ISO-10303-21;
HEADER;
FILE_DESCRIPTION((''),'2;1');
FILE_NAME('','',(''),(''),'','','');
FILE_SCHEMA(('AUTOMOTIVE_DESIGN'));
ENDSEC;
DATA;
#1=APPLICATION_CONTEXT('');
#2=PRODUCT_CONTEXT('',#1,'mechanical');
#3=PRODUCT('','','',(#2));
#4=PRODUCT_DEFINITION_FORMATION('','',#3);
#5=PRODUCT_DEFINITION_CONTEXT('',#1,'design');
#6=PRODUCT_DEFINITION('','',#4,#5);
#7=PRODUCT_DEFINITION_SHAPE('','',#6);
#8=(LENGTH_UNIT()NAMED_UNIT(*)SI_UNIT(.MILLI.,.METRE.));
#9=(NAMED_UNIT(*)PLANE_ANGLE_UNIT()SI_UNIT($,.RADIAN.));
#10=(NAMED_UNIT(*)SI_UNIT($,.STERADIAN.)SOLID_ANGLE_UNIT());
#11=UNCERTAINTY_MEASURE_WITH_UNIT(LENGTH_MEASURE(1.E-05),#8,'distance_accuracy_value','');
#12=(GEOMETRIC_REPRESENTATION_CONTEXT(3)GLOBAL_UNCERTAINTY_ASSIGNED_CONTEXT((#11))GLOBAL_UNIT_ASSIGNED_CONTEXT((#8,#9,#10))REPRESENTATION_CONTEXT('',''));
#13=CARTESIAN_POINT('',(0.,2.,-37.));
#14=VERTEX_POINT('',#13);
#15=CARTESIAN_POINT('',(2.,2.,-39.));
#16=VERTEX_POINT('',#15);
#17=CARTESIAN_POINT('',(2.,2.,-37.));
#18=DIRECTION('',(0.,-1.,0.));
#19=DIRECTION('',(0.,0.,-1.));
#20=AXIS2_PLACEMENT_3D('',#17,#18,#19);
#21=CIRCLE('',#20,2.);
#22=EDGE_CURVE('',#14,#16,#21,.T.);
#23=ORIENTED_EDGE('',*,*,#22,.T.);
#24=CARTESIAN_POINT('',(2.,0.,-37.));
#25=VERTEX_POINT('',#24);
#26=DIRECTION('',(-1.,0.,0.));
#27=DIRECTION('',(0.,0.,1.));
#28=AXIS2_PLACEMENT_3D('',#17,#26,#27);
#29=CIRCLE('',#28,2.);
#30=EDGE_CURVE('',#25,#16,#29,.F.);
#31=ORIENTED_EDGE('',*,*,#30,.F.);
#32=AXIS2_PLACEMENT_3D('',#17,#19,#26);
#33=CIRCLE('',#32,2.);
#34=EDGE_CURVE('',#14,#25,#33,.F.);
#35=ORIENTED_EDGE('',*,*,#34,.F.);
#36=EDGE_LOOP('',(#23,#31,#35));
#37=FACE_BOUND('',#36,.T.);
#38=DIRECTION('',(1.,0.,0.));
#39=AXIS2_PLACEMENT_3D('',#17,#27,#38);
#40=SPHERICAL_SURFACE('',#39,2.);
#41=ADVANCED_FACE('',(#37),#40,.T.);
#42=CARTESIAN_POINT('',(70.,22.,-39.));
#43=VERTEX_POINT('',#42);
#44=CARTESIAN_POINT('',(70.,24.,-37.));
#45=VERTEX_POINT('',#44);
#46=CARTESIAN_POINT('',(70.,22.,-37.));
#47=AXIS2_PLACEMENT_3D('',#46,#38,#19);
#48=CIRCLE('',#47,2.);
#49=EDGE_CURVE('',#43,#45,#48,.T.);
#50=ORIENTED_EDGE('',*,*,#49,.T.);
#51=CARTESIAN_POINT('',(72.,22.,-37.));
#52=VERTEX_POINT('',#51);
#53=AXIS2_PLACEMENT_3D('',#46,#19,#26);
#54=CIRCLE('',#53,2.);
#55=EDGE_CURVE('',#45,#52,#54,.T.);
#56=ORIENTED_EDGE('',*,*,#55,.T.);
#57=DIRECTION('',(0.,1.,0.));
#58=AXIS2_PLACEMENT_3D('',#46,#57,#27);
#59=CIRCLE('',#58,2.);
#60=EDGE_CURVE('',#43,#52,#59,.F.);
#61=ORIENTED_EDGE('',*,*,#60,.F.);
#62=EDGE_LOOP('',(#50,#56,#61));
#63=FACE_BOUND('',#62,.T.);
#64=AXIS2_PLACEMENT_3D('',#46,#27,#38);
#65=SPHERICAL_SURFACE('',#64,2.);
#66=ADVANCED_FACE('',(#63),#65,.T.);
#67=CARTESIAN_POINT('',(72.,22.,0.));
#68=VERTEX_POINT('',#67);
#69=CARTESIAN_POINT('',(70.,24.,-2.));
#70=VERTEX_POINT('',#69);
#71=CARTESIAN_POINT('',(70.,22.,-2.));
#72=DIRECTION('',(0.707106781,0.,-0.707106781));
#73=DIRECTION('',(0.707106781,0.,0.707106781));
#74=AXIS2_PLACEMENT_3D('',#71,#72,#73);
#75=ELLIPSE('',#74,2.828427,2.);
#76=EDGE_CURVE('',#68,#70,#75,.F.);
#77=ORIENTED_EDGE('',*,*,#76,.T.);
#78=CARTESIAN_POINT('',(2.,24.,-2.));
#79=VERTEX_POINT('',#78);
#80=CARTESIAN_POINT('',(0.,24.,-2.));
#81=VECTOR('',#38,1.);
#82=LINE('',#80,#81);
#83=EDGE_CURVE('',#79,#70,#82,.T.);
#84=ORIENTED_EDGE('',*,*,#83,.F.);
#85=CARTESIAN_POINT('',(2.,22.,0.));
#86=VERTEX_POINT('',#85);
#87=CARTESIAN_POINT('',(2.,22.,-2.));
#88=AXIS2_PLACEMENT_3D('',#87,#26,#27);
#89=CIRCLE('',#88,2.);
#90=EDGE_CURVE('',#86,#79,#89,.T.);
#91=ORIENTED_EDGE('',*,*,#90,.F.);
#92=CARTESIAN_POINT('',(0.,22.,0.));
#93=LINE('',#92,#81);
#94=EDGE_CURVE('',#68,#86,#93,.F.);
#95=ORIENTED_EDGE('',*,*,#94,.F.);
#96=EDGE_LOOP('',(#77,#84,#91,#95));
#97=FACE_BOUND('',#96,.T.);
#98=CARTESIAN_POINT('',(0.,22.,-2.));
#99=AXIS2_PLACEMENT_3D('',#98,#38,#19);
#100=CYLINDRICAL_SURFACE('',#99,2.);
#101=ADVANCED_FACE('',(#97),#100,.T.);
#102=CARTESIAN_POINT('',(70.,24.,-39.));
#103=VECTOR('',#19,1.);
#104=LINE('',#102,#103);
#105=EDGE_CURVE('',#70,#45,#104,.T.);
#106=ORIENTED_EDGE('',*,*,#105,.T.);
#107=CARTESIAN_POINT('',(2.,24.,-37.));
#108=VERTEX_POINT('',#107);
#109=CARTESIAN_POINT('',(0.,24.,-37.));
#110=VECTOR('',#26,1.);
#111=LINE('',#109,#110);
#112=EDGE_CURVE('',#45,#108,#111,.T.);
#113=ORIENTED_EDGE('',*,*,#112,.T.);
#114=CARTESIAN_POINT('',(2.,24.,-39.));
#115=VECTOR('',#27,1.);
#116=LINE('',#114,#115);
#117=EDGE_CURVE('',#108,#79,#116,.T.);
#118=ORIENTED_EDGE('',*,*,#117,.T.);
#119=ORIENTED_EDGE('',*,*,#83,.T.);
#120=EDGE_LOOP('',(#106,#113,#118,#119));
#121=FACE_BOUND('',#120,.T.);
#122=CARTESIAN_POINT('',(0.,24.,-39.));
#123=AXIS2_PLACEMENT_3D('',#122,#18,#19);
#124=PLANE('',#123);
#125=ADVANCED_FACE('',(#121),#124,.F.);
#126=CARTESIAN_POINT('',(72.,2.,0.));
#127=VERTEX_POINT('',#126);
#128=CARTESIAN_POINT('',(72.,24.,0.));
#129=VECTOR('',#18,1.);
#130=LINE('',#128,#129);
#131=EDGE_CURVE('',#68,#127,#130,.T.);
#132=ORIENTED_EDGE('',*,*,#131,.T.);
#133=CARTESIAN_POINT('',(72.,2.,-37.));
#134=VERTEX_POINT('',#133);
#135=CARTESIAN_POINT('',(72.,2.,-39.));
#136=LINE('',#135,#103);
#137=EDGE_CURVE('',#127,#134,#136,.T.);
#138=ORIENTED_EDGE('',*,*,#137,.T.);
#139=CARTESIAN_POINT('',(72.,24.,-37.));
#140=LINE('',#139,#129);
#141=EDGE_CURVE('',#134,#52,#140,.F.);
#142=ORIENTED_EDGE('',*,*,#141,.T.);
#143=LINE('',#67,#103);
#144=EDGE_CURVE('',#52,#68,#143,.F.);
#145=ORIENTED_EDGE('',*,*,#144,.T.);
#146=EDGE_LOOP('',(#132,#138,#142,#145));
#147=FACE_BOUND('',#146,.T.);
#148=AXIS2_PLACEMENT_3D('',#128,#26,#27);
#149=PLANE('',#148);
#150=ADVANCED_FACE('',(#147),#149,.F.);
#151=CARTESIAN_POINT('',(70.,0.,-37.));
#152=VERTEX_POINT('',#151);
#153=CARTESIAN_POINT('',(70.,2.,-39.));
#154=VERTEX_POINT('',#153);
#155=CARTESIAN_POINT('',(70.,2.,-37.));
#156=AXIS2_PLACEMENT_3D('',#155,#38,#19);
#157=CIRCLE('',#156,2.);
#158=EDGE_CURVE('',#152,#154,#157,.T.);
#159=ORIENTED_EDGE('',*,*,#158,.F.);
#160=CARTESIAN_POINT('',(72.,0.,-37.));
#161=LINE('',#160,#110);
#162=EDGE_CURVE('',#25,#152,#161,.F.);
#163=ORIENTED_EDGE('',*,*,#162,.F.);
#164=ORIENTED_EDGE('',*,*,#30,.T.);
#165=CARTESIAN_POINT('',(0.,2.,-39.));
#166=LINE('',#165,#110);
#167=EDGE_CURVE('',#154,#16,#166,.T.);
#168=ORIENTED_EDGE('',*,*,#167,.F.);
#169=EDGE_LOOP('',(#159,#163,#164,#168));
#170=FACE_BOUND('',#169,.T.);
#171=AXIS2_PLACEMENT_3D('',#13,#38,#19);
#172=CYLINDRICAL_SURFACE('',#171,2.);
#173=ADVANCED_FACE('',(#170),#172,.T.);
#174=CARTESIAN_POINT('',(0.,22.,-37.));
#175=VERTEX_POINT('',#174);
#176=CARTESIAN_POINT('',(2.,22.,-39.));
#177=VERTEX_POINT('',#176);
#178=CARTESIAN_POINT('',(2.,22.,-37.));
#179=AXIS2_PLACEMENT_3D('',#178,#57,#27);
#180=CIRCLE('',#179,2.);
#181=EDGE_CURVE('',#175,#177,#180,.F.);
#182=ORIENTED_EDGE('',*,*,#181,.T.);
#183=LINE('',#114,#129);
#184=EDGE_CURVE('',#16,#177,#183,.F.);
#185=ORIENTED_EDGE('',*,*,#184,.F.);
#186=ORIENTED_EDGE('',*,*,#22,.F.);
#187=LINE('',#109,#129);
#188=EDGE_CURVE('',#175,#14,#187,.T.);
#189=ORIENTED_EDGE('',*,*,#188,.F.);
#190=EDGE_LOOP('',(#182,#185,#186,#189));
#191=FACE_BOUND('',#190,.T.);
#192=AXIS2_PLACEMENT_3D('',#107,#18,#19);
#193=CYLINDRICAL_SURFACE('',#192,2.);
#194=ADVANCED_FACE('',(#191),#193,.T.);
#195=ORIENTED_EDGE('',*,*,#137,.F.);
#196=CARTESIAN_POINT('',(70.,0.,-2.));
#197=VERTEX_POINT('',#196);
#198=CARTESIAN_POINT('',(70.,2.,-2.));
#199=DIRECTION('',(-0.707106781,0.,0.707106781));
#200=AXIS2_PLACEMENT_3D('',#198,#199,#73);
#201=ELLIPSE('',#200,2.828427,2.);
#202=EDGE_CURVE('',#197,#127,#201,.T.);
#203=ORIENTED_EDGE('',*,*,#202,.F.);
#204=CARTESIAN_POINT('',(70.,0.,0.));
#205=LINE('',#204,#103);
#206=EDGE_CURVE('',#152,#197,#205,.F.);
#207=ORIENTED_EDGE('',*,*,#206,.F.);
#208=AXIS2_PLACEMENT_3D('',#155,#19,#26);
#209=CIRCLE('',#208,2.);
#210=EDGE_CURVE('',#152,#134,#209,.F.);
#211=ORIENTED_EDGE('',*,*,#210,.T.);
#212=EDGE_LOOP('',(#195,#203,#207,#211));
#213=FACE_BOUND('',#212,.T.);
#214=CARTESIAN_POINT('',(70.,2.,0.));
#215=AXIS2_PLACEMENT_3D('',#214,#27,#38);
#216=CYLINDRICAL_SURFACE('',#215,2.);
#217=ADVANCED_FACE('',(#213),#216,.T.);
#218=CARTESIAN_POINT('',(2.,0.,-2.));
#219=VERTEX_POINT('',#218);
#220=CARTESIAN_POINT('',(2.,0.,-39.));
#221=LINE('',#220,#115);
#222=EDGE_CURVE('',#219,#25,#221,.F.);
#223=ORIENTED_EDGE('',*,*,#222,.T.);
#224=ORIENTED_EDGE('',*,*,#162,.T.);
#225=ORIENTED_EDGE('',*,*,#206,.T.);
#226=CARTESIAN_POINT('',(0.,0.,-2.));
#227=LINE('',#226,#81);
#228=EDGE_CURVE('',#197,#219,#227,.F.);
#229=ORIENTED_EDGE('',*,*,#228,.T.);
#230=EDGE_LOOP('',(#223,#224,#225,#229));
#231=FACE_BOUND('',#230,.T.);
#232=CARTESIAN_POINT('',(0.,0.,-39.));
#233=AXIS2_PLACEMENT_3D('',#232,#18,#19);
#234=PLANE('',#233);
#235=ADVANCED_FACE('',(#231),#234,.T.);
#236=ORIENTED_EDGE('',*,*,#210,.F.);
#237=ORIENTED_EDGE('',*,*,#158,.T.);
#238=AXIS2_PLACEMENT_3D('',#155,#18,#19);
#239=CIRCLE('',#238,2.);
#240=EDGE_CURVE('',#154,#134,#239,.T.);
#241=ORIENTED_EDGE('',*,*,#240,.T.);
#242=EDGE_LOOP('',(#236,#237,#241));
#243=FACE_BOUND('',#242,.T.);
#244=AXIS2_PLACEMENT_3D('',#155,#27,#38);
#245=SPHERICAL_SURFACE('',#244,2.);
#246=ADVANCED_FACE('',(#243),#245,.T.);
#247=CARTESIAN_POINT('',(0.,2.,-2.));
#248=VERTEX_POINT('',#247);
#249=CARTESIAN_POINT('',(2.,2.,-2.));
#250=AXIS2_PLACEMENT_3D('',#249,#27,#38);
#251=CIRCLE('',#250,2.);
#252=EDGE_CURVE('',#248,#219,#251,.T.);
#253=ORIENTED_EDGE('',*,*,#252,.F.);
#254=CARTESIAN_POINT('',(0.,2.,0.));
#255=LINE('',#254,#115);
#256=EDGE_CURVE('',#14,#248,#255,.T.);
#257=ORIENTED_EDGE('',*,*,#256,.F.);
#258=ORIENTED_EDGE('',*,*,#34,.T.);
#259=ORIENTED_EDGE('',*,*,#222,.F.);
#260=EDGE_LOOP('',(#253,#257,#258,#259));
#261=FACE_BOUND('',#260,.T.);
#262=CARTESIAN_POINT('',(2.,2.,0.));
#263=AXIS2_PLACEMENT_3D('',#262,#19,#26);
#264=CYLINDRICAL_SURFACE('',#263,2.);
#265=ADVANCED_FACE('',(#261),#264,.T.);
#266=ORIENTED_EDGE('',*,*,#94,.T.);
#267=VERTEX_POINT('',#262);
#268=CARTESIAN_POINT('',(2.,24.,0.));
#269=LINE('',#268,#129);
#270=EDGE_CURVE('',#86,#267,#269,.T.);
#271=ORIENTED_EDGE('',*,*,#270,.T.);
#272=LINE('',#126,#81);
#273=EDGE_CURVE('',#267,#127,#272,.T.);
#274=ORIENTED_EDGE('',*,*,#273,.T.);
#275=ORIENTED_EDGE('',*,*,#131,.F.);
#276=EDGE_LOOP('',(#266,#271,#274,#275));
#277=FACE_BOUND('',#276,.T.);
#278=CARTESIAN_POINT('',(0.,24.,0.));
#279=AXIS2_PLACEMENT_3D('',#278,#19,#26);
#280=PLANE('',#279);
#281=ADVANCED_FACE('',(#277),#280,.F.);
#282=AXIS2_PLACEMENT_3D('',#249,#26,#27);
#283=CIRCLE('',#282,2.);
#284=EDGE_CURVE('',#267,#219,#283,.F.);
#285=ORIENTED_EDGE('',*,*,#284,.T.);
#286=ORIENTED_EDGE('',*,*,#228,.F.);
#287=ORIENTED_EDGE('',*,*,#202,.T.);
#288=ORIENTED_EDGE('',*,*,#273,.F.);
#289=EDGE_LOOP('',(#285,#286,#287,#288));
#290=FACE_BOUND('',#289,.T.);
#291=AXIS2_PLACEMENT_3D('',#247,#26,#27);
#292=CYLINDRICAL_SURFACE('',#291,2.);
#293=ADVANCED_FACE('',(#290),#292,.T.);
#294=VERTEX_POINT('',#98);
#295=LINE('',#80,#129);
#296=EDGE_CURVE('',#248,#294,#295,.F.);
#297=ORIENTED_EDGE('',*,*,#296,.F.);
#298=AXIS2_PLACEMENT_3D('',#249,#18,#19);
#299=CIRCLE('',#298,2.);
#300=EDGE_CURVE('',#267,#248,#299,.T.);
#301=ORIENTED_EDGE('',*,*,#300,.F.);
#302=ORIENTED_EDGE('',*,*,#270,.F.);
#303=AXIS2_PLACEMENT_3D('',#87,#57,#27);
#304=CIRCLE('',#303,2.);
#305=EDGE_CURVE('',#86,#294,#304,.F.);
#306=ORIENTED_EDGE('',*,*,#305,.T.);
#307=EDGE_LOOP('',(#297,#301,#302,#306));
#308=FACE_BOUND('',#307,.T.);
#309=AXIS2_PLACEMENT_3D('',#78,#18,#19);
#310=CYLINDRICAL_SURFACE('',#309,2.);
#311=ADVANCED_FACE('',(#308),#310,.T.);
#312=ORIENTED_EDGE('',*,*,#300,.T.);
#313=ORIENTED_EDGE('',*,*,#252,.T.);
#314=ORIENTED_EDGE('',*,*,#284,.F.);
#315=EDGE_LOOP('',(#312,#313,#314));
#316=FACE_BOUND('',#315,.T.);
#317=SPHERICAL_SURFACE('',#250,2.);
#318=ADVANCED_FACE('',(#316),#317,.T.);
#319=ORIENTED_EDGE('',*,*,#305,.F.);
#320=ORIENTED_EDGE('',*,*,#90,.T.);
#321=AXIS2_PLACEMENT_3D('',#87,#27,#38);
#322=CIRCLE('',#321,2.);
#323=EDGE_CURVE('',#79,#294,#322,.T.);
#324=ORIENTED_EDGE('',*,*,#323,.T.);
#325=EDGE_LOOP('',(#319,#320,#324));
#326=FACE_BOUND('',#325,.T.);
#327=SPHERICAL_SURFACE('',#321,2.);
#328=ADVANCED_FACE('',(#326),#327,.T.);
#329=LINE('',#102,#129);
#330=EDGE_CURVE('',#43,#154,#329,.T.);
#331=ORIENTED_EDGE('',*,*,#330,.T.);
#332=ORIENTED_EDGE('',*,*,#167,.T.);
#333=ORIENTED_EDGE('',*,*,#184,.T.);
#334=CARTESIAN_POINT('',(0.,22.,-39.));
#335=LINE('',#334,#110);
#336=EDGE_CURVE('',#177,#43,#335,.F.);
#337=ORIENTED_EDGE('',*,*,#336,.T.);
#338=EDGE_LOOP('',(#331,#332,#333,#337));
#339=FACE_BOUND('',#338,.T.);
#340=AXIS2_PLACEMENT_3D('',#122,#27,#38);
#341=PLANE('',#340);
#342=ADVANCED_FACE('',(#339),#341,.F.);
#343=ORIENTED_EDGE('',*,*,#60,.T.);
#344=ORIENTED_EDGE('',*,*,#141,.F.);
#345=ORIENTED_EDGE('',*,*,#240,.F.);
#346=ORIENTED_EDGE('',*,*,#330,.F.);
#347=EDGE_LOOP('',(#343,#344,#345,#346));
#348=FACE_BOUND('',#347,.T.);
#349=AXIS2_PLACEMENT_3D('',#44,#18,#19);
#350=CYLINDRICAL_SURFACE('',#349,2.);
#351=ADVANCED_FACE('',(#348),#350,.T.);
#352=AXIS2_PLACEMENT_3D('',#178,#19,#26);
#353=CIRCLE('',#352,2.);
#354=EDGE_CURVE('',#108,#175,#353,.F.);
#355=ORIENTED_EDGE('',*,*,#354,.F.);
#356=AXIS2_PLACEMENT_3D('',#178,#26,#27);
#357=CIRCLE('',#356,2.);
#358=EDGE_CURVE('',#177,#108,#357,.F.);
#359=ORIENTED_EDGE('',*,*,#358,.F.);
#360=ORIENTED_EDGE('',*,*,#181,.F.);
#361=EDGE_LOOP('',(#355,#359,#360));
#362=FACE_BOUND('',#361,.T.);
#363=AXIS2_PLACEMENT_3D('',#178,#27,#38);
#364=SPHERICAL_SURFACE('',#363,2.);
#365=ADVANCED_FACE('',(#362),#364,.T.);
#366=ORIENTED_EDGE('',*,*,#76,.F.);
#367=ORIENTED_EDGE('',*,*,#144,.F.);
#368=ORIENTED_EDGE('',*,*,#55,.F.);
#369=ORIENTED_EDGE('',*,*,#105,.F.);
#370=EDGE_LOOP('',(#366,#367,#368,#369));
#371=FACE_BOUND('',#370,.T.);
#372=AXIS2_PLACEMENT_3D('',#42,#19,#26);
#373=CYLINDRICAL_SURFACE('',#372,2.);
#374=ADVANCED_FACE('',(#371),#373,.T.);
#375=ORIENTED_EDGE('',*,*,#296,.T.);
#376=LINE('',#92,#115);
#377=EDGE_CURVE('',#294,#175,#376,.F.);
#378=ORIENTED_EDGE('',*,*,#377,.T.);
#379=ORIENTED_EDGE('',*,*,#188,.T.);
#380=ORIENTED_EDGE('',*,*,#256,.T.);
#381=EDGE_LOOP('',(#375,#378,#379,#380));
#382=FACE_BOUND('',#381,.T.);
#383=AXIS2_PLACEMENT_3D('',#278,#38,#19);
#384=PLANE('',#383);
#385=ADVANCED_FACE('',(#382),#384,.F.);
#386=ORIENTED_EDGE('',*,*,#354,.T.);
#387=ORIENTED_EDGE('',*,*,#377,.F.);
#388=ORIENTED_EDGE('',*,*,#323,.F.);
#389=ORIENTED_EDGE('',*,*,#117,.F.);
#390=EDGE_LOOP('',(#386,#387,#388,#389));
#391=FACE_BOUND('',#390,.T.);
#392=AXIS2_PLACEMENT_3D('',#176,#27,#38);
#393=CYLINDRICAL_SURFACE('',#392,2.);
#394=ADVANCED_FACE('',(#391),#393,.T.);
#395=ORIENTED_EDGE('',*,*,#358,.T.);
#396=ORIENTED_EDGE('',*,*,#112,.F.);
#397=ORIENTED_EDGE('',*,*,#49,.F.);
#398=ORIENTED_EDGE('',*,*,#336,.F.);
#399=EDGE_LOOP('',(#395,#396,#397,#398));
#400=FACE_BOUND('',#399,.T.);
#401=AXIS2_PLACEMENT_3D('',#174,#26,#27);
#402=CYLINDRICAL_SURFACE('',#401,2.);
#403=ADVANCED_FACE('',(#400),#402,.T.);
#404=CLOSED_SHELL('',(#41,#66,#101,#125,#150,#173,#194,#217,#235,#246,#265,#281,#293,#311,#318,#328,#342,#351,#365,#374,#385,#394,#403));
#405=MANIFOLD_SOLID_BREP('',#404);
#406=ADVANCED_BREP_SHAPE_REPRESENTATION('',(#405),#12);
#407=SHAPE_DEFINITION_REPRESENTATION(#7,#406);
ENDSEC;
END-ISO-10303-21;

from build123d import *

# Parameters (mm, degrees)
ESQUISSE1_W      = 72
ESQUISSE1_H      = 39
EXTRUSION2_DEPTH = 24
CONG_3_R         = 2


with BuildPart() as part:
    # Esquisse1 → Extrusion2 (new body)
    with BuildSketch(Plane(origin=(0, 0, 0), x_dir=(1, 0, 0), z_dir=(0, 1, 0))):
        with Locations((36, 19.5)):
            Rectangle(ESQUISSE1_W, ESQUISSE1_H)
    extrude(amount=EXTRUSION2_DEPTH)

    # Congé3
    cong_3_edges = [part.edges().sort_by_distance(p)[0] for p in [
        (72, 24, -19.5),
        (36, 24, -39),
        (0, 24, -19.5),
        (36, 0, -39),
        (72, 0, -19.5),
        (36, 0, 0),
        (0, 0, -19.5),
        (36, 24, 0),
        (0, 12, -39),
        (72, 12, -39),
        (0, 12, 0),
    ]]
    fillet(cong_3_edges, radius=CONG_3_R)


solid = part.part
